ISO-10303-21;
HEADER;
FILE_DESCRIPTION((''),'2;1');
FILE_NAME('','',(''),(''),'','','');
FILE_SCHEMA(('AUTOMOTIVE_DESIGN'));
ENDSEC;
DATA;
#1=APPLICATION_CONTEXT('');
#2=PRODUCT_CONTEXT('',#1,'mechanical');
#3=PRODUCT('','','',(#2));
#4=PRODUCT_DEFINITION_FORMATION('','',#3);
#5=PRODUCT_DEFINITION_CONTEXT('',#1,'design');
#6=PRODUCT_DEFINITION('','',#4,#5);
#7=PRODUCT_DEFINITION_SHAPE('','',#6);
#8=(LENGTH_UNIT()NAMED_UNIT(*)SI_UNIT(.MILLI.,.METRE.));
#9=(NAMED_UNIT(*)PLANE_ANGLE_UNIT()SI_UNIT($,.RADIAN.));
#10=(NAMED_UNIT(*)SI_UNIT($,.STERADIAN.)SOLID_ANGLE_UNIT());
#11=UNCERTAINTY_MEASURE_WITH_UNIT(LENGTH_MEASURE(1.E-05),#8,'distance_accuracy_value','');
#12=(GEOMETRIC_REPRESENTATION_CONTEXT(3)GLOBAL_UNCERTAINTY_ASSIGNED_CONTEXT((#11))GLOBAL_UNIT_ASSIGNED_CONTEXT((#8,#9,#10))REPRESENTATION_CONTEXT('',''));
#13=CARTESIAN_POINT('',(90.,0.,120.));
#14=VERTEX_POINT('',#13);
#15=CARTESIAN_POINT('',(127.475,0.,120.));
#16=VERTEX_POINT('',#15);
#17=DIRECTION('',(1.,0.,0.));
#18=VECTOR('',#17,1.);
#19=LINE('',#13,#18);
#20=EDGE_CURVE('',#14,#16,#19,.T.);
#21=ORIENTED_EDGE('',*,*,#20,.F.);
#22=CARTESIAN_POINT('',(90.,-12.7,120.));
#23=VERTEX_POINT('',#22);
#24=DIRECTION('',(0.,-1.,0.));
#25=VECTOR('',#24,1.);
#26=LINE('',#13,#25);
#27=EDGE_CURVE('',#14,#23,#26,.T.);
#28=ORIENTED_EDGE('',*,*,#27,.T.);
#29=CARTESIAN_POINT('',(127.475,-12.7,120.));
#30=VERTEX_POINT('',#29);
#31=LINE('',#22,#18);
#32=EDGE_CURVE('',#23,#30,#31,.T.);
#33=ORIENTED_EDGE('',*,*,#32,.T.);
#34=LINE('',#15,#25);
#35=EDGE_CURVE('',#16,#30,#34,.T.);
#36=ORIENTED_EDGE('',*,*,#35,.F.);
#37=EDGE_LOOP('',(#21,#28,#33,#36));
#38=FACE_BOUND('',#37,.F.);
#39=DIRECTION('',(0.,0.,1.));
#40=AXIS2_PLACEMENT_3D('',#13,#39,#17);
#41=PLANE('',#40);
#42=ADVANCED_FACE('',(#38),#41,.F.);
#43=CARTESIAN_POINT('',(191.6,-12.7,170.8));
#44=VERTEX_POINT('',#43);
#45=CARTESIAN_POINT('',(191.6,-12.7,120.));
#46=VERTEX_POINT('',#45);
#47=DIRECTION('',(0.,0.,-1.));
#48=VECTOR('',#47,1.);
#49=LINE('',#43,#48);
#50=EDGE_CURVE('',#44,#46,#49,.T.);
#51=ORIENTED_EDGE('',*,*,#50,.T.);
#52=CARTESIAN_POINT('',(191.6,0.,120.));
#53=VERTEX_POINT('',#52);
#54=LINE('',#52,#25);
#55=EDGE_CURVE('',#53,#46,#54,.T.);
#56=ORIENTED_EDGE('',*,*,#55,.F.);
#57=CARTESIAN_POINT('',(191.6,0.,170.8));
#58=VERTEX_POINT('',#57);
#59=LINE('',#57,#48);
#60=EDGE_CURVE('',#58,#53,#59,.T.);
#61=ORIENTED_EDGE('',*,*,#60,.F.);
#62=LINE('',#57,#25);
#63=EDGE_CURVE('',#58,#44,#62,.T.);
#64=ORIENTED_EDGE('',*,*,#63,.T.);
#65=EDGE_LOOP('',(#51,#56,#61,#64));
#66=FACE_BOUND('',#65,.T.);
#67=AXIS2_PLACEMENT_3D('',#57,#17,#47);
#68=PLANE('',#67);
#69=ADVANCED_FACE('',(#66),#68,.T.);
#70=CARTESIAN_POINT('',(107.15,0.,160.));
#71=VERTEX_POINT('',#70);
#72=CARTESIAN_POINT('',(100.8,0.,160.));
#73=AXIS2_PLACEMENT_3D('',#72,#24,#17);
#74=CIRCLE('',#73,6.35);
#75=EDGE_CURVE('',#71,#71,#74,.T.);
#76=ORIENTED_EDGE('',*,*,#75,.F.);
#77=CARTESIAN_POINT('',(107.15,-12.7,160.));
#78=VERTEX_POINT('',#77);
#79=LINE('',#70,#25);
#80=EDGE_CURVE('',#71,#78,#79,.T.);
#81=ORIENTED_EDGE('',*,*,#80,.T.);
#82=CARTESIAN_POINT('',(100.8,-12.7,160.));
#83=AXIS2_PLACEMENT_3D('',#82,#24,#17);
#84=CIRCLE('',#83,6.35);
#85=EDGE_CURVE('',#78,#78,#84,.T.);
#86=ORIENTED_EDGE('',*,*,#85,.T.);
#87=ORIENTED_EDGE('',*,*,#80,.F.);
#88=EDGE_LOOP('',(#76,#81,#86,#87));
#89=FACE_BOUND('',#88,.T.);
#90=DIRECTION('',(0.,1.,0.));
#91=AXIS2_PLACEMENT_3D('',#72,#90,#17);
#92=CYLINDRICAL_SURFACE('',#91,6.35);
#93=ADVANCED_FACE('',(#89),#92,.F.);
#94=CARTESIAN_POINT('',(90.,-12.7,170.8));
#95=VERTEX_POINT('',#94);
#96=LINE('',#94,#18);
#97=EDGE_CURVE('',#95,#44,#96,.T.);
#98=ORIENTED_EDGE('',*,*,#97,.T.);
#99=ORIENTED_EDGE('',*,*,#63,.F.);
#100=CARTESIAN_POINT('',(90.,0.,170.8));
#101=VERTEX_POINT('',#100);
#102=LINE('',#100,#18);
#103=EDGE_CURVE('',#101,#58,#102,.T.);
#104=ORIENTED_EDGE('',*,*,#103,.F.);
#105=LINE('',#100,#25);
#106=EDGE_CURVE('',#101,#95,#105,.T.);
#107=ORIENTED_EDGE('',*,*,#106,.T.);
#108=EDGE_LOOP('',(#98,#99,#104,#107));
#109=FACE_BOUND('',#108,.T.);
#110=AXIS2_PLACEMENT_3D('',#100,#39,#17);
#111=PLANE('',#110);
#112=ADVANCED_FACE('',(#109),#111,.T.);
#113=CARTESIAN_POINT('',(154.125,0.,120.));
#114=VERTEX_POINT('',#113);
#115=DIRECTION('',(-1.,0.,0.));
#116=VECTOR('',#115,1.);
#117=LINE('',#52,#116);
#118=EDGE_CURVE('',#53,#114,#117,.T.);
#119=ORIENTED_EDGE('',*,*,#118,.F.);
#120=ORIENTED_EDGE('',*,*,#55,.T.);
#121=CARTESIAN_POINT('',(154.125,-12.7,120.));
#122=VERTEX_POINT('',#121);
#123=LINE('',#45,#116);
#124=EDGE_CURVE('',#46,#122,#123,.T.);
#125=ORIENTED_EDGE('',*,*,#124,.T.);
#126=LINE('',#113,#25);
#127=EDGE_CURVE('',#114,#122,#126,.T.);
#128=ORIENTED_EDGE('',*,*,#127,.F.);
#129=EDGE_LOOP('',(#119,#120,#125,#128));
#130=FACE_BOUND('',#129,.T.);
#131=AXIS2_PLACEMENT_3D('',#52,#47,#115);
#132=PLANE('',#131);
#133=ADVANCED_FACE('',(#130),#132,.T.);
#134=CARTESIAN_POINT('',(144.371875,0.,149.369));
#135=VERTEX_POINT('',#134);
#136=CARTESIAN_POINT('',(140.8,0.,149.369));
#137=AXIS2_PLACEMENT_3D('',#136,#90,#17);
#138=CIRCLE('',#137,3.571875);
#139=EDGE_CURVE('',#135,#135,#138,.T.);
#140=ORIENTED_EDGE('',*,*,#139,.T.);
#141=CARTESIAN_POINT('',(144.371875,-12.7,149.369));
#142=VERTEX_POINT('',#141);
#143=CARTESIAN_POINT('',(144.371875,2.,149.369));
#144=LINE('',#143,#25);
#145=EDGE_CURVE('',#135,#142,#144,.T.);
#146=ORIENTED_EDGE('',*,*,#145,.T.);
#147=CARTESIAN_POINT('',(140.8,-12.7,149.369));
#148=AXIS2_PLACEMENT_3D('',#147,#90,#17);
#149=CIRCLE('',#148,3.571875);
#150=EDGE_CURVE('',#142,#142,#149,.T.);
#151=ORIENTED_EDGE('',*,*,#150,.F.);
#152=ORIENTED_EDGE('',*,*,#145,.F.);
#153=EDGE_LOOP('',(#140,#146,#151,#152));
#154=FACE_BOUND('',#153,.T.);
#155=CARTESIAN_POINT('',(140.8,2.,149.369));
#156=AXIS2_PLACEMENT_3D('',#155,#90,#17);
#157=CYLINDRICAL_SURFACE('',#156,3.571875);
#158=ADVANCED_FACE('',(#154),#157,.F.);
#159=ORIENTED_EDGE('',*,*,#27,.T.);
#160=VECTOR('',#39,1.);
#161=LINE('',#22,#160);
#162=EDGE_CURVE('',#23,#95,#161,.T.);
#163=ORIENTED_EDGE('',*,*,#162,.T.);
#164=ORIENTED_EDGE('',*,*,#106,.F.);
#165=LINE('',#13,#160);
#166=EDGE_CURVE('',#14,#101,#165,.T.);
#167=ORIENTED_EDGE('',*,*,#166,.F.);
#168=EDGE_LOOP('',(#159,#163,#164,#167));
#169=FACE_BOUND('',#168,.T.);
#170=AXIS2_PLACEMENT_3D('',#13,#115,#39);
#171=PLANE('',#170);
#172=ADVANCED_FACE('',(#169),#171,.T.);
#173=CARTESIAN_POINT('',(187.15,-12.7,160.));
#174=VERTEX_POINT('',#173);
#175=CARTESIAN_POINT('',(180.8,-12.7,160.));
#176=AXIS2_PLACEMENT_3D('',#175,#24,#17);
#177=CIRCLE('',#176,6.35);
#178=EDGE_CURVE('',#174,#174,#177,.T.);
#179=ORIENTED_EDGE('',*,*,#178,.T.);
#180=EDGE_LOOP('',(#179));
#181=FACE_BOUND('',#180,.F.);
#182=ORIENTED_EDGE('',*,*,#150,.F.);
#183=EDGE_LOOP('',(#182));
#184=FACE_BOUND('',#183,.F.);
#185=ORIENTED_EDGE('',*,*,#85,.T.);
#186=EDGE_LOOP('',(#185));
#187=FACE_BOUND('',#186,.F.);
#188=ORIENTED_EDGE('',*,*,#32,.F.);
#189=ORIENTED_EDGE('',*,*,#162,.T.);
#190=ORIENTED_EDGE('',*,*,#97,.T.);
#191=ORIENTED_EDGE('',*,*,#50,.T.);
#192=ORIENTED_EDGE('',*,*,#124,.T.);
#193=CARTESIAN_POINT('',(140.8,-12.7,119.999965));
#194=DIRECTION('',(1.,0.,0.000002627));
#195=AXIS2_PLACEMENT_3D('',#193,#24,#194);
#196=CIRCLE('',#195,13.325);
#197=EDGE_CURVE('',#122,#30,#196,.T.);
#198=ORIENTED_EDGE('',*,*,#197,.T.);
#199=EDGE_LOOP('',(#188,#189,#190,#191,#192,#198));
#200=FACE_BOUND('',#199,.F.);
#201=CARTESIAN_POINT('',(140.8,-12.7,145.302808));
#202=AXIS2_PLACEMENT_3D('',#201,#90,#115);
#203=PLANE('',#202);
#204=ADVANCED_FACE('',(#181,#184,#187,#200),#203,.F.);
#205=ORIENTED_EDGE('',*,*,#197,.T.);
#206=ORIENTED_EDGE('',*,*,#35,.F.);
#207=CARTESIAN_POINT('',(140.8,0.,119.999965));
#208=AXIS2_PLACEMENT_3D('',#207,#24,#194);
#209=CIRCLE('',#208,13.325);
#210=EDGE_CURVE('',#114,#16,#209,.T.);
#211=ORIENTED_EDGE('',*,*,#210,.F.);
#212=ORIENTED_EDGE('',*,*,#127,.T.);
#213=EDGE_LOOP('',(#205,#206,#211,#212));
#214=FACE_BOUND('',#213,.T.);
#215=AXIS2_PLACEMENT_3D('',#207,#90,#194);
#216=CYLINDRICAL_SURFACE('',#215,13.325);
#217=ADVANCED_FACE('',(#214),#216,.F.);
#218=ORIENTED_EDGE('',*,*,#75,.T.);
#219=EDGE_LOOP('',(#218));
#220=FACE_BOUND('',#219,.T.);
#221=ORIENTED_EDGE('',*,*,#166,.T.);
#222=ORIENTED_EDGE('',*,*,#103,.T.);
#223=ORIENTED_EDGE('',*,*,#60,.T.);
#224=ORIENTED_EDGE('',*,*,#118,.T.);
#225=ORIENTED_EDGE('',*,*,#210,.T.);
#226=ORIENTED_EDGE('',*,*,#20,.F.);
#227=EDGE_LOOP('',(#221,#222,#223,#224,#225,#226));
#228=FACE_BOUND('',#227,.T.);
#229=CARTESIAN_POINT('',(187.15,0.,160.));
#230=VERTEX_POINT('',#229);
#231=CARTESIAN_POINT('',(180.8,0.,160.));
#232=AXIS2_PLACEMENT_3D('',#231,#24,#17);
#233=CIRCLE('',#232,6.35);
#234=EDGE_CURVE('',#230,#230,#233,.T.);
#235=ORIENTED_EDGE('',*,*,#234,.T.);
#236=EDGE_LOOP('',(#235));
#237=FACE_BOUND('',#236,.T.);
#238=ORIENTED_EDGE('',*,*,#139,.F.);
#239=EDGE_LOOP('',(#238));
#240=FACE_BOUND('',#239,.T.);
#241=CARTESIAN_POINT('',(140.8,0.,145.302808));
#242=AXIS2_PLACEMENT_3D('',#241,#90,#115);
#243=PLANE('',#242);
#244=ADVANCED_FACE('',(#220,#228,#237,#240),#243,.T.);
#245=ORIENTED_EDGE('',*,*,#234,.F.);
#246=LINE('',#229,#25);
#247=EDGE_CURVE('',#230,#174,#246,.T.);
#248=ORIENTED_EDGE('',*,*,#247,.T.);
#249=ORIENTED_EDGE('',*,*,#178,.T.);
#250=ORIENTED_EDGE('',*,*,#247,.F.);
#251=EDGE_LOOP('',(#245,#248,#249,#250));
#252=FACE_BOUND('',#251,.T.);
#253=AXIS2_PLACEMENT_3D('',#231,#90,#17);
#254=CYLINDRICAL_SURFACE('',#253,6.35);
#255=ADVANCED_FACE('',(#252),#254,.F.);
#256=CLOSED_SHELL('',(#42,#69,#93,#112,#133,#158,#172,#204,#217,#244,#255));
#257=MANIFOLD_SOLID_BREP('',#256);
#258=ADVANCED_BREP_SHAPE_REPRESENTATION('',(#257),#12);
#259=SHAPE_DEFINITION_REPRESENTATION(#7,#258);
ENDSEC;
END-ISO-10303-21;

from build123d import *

# Parameters (mm, degrees)
SKETCH057_R  = 3.571875
PAD057_DEPTH = 30
SKETCH056_R  = 6.35
PAD056_DEPTH = 12.7


with BuildPart() as body056:
    # Sketch057 → Pad057 (new body)
    with BuildSketch(Plane.XZ):
        Circle(SKETCH057_R)
    extrude(amount=PAD057_DEPTH)


with BuildPart() as body056_1:
    # Body056 placement: moved
    add(body056.part.moved(Location((41.6, 2, 149.369))))


with BuildPart() as cut048:
    # Sketch056 → Pad056 (new body)
    with BuildSketch(Plane.XZ):
        with BuildLine():
            Line((-50.8, 110), (-50.8, 160.8))
            Line((-50.8, 160.8), (50.8, 160.8))
            Line((50.8, 160.8), (50.8, 110))
            Line((50.8, 110), (13.325, 110))
            ThreePointArc((13.325, 110), (0, 123.324965), (-13.325, 110))
            Line((-50.8, 110), (-13.325, 110))
        make_face()
        with Locations((-40, 150)):
            Circle(SKETCH056_R, mode=Mode.SUBTRACT)
        with Locations((40, 150)):
            Circle(SKETCH056_R, mode=Mode.SUBTRACT)
    extrude(amount=PAD056_DEPTH)


with BuildPart() as cut048_1:
    # Body057 placement: moved
    add(cut048.part.moved(Location((41.6, 0, 10))))

    # Cut048: cut Body056
    add(body056_1.part, mode=Mode.SUBTRACT)


with BuildPart() as cut048_2:
    # Cut048 placement: moved
    add(cut048_1.part.moved(Location((99.2, 0, 0))))


solid = cut048_2.part
